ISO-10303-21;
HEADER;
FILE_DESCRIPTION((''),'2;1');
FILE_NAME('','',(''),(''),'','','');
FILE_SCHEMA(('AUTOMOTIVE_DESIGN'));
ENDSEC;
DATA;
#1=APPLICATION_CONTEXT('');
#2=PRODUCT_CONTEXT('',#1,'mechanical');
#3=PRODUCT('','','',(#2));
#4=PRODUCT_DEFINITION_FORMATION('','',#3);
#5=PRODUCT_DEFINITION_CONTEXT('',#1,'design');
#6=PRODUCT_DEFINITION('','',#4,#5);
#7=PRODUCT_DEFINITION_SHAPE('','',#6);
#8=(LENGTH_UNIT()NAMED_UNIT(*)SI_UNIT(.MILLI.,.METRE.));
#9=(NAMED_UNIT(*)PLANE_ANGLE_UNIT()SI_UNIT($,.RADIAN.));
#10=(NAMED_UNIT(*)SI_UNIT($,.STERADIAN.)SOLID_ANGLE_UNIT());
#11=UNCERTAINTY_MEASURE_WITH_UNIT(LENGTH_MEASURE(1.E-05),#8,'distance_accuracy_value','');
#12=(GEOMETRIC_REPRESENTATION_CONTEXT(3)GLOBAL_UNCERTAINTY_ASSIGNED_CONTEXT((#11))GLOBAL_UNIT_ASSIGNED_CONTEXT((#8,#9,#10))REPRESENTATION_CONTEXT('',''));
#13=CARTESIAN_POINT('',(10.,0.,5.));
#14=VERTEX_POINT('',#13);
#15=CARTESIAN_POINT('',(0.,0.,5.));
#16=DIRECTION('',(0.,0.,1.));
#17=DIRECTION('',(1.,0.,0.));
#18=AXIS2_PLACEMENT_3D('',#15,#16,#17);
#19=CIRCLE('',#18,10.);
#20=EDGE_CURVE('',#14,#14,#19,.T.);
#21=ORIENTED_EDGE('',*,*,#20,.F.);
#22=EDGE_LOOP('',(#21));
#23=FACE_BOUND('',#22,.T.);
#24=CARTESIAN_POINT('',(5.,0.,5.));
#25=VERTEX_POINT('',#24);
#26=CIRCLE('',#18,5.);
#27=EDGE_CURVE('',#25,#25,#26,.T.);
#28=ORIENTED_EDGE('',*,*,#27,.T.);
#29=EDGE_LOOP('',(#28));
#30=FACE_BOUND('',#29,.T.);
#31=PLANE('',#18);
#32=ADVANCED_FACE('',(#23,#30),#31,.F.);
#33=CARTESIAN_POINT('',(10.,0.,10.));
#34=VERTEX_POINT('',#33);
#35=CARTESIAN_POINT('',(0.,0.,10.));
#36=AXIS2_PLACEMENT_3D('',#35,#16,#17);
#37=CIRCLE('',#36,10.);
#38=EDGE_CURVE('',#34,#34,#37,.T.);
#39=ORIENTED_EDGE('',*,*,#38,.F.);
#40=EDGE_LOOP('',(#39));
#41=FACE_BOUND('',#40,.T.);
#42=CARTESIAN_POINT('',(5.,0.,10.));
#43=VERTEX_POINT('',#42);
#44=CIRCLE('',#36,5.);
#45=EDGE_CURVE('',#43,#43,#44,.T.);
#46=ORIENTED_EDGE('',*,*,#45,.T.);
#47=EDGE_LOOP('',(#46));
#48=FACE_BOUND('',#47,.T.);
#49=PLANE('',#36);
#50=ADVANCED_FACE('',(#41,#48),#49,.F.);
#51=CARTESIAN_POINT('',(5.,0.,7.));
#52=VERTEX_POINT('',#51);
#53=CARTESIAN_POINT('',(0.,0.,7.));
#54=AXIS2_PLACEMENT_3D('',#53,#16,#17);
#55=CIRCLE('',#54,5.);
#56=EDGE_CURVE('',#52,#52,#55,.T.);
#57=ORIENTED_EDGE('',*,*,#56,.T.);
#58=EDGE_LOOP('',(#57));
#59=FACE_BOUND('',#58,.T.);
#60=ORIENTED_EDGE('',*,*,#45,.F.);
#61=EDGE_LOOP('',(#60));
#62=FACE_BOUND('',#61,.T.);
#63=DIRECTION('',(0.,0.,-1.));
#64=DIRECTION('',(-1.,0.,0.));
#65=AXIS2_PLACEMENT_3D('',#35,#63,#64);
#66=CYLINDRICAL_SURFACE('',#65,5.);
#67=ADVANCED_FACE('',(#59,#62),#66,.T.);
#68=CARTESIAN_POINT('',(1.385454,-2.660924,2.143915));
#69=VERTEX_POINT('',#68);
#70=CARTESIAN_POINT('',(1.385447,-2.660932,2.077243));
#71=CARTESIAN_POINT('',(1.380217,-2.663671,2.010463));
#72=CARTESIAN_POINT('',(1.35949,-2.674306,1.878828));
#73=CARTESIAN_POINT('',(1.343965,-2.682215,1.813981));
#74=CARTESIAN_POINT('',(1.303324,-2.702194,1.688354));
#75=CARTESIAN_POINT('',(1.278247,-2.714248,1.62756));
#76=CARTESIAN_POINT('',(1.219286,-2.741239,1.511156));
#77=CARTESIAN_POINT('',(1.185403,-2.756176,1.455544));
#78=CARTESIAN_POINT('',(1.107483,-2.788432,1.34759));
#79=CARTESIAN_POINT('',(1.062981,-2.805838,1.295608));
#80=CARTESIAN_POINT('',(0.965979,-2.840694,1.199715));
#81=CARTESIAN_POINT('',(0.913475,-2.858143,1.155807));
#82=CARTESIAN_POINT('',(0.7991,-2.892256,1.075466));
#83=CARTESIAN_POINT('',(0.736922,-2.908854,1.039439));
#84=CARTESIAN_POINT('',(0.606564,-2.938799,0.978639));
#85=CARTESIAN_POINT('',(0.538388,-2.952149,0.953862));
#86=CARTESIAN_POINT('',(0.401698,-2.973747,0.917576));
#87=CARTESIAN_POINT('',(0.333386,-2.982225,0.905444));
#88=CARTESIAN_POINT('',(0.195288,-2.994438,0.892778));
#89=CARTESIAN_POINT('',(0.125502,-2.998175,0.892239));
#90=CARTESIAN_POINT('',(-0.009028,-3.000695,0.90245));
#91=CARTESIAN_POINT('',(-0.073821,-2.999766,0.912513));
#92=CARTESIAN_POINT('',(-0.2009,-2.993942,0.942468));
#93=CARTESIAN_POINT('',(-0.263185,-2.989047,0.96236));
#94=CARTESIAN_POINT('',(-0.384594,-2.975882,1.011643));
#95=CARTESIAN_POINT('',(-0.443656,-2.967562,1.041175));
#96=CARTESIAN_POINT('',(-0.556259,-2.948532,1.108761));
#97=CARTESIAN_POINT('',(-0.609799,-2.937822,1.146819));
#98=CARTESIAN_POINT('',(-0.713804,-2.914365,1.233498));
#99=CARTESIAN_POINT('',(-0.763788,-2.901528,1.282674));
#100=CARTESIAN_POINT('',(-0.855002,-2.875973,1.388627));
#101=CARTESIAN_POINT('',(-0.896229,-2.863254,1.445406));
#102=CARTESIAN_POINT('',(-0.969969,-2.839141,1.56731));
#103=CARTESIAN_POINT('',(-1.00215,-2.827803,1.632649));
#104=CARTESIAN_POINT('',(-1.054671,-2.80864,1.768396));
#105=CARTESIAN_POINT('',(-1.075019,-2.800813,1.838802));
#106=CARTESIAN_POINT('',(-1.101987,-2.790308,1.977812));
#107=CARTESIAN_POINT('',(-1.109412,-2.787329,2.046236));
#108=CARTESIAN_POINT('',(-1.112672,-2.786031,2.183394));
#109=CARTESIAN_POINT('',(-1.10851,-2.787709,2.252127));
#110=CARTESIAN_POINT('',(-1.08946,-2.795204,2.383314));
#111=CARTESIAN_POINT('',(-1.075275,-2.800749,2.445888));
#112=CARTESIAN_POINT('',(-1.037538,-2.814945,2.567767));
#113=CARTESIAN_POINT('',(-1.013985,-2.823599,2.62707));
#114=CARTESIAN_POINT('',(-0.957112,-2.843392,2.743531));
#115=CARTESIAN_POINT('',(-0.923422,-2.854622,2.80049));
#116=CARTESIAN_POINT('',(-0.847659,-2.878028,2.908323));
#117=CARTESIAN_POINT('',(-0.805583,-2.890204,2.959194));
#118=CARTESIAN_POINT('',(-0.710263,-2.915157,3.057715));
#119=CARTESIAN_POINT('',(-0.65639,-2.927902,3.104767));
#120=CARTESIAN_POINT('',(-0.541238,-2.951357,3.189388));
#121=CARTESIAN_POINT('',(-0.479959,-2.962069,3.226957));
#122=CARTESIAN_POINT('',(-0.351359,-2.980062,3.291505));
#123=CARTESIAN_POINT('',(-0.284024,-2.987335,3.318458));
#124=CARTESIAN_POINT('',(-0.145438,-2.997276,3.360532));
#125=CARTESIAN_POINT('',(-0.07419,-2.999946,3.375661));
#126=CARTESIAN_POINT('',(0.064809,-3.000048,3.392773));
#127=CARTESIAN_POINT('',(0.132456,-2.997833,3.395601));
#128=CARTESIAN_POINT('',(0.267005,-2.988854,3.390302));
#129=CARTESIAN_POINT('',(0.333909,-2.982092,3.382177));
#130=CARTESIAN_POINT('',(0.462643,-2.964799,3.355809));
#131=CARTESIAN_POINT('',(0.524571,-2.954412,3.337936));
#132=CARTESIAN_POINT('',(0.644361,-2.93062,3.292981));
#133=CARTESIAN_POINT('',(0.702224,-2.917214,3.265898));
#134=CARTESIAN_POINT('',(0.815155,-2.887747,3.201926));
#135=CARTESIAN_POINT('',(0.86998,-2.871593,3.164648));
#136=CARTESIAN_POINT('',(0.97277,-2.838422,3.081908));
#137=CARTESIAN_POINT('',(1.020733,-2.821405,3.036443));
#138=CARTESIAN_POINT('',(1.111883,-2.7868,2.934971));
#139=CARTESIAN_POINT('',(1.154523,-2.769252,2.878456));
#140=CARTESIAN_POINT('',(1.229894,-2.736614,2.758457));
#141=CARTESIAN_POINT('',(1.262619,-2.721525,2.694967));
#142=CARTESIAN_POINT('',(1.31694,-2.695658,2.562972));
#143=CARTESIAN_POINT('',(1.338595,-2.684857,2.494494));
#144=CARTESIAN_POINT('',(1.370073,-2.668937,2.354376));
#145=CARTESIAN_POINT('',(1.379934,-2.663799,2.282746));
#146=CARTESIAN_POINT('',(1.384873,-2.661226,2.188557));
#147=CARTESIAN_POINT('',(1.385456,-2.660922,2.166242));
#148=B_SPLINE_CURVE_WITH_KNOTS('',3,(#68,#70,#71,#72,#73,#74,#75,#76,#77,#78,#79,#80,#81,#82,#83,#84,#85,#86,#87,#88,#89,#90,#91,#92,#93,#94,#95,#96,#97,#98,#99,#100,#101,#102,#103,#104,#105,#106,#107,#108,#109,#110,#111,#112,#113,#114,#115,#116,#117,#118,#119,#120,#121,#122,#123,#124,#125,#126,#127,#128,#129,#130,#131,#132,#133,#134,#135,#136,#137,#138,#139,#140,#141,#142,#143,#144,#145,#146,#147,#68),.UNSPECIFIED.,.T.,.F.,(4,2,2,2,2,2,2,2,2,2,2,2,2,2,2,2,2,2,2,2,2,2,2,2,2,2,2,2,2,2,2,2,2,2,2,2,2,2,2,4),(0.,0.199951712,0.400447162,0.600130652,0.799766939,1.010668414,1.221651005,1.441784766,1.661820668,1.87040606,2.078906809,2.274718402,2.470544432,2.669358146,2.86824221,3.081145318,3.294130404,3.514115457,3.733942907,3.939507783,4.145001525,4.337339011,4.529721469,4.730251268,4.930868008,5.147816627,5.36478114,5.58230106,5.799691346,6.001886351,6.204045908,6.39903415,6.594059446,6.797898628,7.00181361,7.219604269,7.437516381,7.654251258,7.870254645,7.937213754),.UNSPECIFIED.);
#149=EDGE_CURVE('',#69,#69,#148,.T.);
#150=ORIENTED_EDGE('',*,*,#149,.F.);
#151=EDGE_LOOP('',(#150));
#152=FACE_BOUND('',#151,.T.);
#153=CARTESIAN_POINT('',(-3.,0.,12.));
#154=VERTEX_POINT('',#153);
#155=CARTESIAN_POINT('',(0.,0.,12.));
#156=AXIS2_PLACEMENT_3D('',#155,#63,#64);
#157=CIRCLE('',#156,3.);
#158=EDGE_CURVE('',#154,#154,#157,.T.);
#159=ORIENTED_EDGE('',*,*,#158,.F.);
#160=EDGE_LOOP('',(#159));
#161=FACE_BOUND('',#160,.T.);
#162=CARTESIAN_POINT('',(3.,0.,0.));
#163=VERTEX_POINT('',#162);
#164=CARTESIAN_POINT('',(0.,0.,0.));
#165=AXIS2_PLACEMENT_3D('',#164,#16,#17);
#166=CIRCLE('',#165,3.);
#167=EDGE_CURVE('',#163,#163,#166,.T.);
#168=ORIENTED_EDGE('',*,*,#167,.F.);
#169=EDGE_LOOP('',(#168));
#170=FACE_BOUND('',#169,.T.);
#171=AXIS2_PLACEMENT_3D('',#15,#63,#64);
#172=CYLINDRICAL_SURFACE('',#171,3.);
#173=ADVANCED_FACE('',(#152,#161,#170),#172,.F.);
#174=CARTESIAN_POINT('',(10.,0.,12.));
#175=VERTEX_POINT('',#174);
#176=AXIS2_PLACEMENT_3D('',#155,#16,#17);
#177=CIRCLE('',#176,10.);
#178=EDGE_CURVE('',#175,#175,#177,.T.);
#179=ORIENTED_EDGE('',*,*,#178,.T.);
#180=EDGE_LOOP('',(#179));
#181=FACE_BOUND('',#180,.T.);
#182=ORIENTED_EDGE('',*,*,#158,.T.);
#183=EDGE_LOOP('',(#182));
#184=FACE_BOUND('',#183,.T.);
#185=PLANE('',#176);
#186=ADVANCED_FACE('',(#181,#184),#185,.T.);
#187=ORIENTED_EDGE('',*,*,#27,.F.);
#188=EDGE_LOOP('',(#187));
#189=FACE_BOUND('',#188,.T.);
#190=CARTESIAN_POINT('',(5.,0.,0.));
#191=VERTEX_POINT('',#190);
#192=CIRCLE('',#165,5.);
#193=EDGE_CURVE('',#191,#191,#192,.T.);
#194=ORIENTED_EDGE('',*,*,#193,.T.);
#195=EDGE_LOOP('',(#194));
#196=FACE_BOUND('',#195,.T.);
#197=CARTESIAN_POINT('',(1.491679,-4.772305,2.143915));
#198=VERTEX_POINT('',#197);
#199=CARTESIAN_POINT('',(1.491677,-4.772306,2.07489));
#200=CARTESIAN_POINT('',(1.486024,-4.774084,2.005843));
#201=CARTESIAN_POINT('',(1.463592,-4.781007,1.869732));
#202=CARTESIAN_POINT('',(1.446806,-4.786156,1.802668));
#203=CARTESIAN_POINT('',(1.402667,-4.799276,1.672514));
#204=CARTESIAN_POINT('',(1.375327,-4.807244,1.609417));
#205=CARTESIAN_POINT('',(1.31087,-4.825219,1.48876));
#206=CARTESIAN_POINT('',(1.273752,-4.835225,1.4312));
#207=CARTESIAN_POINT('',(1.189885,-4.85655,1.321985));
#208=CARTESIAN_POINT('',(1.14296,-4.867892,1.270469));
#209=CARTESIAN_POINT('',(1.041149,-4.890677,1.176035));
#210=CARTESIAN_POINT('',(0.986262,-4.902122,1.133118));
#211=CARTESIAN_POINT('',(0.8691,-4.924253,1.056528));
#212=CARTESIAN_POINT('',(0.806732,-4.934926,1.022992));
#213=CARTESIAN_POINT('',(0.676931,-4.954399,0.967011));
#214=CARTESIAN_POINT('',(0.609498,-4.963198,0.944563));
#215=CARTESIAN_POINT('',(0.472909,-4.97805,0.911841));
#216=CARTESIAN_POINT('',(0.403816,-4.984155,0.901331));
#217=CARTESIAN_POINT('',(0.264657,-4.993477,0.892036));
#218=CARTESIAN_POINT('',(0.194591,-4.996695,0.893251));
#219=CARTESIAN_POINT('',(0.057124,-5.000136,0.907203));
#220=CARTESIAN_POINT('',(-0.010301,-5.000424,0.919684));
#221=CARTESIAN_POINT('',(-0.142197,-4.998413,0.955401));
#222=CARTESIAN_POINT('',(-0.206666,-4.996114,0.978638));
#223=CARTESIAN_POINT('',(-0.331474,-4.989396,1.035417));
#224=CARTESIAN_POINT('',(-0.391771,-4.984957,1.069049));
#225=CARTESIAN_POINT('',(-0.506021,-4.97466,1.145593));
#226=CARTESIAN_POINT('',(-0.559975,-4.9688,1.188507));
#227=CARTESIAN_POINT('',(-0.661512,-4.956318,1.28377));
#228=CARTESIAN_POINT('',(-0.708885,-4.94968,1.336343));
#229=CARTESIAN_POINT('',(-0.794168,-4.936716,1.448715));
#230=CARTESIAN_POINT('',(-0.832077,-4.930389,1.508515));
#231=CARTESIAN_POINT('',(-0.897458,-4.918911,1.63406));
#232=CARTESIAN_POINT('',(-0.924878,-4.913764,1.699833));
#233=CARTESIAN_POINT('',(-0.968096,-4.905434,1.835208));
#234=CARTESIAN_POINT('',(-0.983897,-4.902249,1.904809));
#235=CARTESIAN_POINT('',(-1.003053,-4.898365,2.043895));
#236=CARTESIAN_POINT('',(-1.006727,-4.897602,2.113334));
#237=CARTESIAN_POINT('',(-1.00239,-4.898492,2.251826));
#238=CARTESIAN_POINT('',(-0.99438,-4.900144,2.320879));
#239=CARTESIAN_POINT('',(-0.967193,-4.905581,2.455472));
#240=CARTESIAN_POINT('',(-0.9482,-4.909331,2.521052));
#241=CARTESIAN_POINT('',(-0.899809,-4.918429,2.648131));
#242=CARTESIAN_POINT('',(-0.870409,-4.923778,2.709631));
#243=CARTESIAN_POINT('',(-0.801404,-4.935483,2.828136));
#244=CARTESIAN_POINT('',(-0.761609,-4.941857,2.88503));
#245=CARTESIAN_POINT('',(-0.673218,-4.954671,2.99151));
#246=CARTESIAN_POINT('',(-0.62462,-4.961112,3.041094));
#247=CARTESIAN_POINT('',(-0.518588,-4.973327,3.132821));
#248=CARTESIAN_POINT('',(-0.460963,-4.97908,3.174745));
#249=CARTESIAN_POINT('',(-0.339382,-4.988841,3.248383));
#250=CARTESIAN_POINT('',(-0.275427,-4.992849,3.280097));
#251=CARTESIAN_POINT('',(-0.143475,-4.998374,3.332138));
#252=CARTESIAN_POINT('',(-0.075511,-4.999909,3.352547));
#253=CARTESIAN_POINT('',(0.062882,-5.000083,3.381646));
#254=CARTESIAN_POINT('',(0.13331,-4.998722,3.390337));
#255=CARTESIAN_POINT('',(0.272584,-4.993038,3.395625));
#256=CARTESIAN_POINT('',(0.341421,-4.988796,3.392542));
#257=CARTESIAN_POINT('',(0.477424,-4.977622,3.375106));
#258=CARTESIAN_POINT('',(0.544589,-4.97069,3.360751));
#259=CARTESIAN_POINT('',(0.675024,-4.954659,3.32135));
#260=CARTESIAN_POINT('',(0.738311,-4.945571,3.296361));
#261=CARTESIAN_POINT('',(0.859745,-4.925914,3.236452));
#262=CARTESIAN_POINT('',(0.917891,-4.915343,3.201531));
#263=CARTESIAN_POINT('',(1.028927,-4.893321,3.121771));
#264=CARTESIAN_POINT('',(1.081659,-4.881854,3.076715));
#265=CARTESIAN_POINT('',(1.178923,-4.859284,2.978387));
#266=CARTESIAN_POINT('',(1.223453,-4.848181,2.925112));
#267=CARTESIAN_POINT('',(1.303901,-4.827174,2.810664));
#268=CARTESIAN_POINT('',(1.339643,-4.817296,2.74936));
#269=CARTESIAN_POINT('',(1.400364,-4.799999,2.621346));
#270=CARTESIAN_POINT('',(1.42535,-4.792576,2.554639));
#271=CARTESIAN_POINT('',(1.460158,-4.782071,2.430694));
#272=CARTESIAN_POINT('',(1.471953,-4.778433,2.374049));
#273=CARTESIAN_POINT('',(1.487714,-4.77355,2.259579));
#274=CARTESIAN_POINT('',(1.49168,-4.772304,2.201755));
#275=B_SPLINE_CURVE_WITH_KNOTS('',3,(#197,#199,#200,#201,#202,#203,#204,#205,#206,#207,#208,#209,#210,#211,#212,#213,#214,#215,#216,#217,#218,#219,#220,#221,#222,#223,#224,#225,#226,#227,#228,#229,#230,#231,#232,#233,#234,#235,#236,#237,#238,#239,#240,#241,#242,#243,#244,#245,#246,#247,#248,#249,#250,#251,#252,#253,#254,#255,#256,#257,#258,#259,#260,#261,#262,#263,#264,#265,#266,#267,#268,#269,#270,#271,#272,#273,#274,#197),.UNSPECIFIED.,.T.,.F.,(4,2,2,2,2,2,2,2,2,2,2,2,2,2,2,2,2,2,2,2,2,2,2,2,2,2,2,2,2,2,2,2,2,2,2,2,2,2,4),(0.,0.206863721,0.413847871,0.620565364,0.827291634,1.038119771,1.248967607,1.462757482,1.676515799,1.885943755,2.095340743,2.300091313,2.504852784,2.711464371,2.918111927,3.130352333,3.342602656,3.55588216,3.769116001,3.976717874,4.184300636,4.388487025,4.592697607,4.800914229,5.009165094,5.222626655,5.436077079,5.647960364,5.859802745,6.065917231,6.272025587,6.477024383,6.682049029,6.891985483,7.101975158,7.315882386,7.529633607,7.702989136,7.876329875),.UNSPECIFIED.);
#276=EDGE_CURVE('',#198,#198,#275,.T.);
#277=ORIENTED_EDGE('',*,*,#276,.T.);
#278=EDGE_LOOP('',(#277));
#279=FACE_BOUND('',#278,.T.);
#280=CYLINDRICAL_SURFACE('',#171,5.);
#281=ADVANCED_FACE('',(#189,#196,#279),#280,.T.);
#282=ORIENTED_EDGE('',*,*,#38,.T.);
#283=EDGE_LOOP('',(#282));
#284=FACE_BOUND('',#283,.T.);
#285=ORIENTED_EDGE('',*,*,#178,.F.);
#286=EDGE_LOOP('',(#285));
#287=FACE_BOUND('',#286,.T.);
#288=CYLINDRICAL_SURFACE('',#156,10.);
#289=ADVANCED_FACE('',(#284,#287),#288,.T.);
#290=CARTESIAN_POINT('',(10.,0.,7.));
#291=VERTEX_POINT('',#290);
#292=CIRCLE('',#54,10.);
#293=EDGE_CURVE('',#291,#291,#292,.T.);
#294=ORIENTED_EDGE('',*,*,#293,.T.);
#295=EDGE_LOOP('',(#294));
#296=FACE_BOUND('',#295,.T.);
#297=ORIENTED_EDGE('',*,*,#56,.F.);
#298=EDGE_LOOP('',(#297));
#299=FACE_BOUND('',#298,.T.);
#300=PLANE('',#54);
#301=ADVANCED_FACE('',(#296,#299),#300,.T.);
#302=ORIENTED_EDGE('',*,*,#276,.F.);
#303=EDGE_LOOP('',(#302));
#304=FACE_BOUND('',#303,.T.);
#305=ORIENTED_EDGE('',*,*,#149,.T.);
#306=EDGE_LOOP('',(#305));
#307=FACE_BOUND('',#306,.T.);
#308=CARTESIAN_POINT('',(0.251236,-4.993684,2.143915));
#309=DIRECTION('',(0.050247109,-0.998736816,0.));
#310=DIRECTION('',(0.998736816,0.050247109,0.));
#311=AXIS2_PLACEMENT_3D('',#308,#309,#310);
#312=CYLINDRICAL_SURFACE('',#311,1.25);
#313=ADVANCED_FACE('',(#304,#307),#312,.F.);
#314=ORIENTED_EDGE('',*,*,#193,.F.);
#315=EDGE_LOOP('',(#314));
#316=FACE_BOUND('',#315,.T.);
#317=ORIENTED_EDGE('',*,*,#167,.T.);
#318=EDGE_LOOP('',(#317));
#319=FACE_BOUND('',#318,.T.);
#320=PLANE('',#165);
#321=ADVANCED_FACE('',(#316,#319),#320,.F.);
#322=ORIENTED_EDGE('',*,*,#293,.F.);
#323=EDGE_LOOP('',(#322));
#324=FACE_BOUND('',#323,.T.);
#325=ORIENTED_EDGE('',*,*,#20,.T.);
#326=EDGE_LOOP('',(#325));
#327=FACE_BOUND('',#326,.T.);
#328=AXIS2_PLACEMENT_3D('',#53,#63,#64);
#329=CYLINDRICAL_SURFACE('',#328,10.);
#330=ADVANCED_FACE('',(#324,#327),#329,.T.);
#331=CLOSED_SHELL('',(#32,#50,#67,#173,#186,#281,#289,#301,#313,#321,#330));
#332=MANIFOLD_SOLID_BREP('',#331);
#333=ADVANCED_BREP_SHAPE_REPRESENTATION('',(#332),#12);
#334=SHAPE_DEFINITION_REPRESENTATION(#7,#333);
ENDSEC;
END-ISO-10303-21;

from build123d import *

# Parameters (mm, degrees)
SKETCH_1_R          = 5
SKETCH_1_R_2        = 3
EXTRUDE_1_DEPTH     = 5
SKETCH_2_R          = 10
SKETCH_2_R_2        = 3
EXTRUDE_2_DEPTH     = 2
SKETCH_3_R          = 5
EXTRUDE_3_DEPTH     = 3
SKETCH_4_R          = 10
EXTRUDE_4_DEPTH     = 2
SKETCH_5_R          = 3
CUT_EXTRUDE_1_DEPTH = 16.779733838
M3X0_5_1_REACH      = 22.665
M3X0_5_1_BORE_R     = 1.25


with BuildPart() as part:
    # ｽｹｯﾁ1 → ﾎﾞｽ - 押し出し1 (new body)
    with BuildSketch(Plane.XY):
        Circle(SKETCH_1_R)
        Circle(SKETCH_1_R_2, mode=Mode.SUBTRACT)
    extrude(amount=EXTRUDE_1_DEPTH)

    # ｽｹｯﾁ2 → ﾎﾞｽ - 押し出し2 (add)
    with BuildSketch(Plane.XY.offset(5)):
        Circle(SKETCH_2_R)
        Circle(SKETCH_2_R_2, mode=Mode.SUBTRACT)
    extrude(amount=EXTRUDE_2_DEPTH)

    # ｽｹｯﾁ3 → ﾎﾞｽ - 押し出し3 (add)
    with BuildSketch(Plane.XY.offset(7)):
        Circle(SKETCH_3_R)
    extrude(amount=EXTRUDE_3_DEPTH)

    # ｽｹｯﾁ4 → ﾎﾞｽ - 押し出し4 (add)
    with BuildSketch(Plane.XY.offset(10)):
        Circle(SKETCH_4_R)
    extrude(amount=EXTRUDE_4_DEPTH)

    # ｽｹｯﾁ5 → ｶｯﾄ - 押し出し1 (cut, through all)
    with BuildSketch(Plane(origin=(0, 0, 7), x_dir=(-1, 0, 0), z_dir=(0, 0, -1))):
        Circle(SKETCH_5_R)
    extrude(amount=-CUT_EXTRUDE_1_DEPTH, mode=Mode.SUBTRACT)

    # M3x0.5 ねじ穴1 bore (on position points) → M3x0.5 ねじ穴1 (cut, up to next)
    with BuildSketch(Plane(origin=(0.251235543, -4.993684081, 2.143915345), x_dir=(-0.998736816219, -0.050247108654, 0), z_dir=(0.050247108654, -0.998736816219, 0)), mode=Mode.PRIVATE) as m3x0_5_1_sk1:
        Circle(M3X0_5_1_BORE_R)
    m3x0_5_1_tool1 = extrude(m3x0_5_1_sk1.sketch, amount=-M3X0_5_1_REACH, mode=Mode.PRIVATE) & part.part
    add(m3x0_5_1_tool1.solids().sort_by_distance((0.251236, -4.993684, 2.143915))[0], mode=Mode.SUBTRACT)


solid = part.part
